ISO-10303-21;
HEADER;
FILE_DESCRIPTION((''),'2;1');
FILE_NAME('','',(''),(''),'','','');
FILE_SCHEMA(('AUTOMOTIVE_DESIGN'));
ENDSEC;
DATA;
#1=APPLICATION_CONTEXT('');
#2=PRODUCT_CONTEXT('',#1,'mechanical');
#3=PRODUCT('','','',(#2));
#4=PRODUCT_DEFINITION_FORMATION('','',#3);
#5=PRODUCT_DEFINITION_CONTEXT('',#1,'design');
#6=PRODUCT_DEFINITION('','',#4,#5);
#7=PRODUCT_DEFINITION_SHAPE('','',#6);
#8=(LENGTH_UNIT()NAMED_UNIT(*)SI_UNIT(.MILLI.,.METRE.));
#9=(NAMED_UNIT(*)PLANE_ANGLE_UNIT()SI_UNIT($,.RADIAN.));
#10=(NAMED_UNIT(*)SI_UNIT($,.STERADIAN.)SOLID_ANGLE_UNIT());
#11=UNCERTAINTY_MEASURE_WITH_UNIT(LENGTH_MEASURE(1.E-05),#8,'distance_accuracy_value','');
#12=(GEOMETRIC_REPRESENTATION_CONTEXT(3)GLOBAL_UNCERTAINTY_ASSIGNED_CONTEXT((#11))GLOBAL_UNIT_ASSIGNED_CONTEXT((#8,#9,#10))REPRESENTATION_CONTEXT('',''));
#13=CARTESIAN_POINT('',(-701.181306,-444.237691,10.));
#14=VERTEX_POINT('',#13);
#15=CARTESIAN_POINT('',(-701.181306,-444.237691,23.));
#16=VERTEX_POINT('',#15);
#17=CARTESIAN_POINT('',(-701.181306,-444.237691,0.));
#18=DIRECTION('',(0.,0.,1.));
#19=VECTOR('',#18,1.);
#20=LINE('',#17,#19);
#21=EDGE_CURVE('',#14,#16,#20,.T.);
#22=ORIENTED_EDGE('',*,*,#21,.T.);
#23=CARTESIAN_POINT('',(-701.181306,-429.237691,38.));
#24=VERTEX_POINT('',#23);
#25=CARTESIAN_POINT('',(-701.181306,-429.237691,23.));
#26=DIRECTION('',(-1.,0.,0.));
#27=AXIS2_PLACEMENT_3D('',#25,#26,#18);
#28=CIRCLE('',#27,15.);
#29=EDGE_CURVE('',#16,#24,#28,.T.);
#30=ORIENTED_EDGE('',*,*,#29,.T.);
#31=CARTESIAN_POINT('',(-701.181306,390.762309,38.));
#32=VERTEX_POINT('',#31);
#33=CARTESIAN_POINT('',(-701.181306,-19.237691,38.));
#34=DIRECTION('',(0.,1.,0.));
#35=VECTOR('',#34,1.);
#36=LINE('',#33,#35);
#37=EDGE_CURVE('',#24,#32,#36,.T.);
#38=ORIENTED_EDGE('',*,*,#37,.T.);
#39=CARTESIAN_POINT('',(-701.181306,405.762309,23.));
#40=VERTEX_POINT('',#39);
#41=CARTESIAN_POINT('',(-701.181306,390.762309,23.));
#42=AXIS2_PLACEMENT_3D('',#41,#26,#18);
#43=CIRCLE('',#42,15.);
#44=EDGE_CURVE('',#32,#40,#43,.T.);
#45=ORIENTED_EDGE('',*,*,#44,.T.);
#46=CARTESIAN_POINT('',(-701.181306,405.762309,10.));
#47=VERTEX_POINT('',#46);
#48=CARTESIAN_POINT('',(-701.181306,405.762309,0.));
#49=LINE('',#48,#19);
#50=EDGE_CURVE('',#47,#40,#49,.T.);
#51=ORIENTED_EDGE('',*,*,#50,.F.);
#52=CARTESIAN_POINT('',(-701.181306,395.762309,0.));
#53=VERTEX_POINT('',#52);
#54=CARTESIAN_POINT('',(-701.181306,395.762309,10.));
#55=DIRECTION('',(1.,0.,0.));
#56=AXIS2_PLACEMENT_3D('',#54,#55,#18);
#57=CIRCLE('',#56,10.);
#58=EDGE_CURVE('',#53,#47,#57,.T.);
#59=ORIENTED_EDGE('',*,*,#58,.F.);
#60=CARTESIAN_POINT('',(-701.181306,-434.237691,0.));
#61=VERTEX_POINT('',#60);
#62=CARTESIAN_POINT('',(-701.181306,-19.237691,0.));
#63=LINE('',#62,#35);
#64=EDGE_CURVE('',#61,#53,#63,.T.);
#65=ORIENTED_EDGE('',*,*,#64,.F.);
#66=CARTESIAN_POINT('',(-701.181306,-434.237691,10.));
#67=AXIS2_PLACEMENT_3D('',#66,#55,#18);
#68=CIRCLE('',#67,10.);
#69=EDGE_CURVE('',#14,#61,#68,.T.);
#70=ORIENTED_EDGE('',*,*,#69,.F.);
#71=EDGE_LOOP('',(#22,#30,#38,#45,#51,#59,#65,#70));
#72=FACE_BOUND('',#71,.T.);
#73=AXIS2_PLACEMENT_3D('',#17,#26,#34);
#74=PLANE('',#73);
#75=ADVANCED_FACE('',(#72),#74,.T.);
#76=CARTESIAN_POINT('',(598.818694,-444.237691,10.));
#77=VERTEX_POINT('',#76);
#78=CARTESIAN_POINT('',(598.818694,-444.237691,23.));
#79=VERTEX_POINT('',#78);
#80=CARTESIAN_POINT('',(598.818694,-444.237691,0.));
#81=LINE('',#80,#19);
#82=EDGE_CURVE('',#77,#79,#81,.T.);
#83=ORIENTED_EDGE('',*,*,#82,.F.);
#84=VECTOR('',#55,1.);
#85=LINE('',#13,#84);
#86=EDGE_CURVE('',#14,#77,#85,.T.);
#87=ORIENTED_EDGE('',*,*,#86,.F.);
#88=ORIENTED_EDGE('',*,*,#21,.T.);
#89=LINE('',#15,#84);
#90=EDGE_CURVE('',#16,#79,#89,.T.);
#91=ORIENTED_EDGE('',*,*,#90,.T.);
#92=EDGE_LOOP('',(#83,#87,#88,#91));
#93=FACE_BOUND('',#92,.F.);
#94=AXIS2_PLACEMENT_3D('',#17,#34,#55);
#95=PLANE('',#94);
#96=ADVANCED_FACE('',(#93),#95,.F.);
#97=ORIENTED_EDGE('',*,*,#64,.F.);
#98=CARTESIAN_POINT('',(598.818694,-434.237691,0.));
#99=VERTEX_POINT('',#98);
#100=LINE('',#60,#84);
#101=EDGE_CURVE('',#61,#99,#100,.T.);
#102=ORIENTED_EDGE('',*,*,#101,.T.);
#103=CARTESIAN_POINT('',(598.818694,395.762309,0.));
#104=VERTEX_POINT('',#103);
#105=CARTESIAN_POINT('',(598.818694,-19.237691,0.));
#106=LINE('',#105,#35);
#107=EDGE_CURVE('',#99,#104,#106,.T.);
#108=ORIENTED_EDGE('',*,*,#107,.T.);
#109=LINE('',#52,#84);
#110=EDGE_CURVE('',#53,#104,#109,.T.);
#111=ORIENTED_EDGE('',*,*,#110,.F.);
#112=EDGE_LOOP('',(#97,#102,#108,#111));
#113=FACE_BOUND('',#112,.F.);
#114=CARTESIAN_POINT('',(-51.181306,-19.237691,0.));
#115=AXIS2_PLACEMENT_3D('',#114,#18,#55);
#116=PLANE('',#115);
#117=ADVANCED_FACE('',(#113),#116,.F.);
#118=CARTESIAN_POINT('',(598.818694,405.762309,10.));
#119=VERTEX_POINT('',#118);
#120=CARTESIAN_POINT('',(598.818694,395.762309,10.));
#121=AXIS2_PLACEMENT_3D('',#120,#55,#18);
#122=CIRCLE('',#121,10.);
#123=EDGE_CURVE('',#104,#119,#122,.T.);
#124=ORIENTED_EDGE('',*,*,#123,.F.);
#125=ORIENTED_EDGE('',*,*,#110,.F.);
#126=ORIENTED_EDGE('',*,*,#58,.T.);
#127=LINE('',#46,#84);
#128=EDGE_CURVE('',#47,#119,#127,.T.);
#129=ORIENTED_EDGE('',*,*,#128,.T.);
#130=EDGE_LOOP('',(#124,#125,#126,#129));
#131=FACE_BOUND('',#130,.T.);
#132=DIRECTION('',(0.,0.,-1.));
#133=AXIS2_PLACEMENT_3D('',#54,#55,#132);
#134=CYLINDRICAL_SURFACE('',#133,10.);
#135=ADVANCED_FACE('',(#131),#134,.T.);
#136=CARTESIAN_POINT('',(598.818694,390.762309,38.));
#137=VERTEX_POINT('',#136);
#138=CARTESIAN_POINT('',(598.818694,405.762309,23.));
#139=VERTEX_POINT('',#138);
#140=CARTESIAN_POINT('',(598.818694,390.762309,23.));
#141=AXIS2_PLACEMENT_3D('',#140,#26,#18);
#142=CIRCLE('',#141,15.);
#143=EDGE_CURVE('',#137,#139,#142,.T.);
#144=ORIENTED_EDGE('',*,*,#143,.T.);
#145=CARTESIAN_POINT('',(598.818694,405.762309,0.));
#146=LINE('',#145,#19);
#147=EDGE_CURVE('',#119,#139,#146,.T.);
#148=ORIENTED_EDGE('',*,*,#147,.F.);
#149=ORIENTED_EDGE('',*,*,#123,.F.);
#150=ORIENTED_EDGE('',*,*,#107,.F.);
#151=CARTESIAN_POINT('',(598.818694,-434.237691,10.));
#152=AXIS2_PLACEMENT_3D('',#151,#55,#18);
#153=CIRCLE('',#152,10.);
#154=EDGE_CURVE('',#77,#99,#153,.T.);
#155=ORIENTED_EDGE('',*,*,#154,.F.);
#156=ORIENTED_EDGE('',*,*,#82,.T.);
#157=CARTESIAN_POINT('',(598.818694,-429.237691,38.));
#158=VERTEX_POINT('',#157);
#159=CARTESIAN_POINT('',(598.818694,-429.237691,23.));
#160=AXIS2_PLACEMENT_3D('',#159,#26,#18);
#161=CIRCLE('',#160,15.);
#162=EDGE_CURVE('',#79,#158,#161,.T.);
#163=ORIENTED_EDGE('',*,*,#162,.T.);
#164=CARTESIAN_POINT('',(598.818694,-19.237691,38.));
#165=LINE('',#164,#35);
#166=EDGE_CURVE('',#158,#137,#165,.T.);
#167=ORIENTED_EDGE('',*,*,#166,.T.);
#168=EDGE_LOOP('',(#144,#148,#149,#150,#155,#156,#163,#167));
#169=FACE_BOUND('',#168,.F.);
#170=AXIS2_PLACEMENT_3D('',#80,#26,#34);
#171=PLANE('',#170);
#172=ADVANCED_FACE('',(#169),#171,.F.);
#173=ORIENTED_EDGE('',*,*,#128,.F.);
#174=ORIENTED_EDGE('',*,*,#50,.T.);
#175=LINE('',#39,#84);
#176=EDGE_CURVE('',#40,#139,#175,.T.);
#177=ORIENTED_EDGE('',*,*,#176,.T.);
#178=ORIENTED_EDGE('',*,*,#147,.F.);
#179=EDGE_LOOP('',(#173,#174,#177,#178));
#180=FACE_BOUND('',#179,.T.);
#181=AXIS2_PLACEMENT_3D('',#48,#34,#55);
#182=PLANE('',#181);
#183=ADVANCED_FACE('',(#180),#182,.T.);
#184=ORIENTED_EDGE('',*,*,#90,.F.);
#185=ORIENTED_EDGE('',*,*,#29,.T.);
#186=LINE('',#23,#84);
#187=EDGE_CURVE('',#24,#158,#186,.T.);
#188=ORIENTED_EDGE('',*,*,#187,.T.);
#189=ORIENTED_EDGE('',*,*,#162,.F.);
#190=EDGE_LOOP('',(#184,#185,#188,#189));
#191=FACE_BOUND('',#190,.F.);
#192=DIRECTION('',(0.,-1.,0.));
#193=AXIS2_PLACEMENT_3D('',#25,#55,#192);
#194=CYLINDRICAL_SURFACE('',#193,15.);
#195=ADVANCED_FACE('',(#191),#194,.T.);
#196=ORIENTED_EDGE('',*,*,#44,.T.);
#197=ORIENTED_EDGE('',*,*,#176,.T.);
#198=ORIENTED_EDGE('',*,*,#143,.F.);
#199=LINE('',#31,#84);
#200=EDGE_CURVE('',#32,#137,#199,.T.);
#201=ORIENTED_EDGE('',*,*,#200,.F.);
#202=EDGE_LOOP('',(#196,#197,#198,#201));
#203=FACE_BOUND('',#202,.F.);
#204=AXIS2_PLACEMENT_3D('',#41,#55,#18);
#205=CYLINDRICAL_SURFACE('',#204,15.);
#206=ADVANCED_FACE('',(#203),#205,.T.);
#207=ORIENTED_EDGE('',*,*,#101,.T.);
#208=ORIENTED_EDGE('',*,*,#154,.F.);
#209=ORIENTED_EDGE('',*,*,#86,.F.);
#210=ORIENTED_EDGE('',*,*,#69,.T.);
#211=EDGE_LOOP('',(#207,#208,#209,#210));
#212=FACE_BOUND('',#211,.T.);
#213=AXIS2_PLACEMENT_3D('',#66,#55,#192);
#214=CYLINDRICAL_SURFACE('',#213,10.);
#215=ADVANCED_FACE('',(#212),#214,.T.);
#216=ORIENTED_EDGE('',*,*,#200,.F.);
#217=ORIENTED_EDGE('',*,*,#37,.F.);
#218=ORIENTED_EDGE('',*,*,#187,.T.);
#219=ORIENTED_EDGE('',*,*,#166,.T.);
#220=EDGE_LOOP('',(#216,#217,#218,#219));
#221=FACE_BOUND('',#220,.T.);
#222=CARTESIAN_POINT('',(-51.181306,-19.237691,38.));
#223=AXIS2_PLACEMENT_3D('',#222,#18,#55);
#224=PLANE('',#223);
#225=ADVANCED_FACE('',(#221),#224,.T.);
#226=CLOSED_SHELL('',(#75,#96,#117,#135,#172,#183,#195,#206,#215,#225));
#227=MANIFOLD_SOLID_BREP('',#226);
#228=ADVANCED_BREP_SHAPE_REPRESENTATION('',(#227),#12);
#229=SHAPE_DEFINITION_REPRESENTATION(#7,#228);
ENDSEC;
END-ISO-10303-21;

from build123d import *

# Parameters (mm, degrees)
F0_W     = 1300
F0_H     = 850
F1_DEPTH = 38
F2_R     = 15
F3_R     = 15
F4_R     = 10
F5_R     = 10


with BuildPart() as f1:
    # F0 (on Top) → F1 (new body)
    with BuildSketch(Plane.XY):
        with Locations((-51.181306, -19.237691)):
            Rectangle(F0_W, F0_H)
    extrude(amount=F1_DEPTH)

    # F2
    f2_edges = [f1.edges().sort_by_distance(p)[0] for p in [
        (-51.181306, -444.237691, 38),
    ]]
    fillet(f2_edges, radius=F2_R)

    # F3
    f3_edges = [f1.edges().sort_by_distance(p)[0] for p in [
        (-51.181306, 405.762309, 38),
    ]]
    fillet(f3_edges, radius=F3_R)

    # F4
    f4_edges = [f1.edges().sort_by_distance(p)[0] for p in [
        (-51.181306, -444.237691, 0),
    ]]
    fillet(f4_edges, radius=F4_R)

    # F5
    f5_edges = [f1.edges().sort_by_distance(p)[0] for p in [
        (-51.181306, 405.762309, 0),
    ]]
    fillet(f5_edges, radius=F5_R)


solid = f1.part
